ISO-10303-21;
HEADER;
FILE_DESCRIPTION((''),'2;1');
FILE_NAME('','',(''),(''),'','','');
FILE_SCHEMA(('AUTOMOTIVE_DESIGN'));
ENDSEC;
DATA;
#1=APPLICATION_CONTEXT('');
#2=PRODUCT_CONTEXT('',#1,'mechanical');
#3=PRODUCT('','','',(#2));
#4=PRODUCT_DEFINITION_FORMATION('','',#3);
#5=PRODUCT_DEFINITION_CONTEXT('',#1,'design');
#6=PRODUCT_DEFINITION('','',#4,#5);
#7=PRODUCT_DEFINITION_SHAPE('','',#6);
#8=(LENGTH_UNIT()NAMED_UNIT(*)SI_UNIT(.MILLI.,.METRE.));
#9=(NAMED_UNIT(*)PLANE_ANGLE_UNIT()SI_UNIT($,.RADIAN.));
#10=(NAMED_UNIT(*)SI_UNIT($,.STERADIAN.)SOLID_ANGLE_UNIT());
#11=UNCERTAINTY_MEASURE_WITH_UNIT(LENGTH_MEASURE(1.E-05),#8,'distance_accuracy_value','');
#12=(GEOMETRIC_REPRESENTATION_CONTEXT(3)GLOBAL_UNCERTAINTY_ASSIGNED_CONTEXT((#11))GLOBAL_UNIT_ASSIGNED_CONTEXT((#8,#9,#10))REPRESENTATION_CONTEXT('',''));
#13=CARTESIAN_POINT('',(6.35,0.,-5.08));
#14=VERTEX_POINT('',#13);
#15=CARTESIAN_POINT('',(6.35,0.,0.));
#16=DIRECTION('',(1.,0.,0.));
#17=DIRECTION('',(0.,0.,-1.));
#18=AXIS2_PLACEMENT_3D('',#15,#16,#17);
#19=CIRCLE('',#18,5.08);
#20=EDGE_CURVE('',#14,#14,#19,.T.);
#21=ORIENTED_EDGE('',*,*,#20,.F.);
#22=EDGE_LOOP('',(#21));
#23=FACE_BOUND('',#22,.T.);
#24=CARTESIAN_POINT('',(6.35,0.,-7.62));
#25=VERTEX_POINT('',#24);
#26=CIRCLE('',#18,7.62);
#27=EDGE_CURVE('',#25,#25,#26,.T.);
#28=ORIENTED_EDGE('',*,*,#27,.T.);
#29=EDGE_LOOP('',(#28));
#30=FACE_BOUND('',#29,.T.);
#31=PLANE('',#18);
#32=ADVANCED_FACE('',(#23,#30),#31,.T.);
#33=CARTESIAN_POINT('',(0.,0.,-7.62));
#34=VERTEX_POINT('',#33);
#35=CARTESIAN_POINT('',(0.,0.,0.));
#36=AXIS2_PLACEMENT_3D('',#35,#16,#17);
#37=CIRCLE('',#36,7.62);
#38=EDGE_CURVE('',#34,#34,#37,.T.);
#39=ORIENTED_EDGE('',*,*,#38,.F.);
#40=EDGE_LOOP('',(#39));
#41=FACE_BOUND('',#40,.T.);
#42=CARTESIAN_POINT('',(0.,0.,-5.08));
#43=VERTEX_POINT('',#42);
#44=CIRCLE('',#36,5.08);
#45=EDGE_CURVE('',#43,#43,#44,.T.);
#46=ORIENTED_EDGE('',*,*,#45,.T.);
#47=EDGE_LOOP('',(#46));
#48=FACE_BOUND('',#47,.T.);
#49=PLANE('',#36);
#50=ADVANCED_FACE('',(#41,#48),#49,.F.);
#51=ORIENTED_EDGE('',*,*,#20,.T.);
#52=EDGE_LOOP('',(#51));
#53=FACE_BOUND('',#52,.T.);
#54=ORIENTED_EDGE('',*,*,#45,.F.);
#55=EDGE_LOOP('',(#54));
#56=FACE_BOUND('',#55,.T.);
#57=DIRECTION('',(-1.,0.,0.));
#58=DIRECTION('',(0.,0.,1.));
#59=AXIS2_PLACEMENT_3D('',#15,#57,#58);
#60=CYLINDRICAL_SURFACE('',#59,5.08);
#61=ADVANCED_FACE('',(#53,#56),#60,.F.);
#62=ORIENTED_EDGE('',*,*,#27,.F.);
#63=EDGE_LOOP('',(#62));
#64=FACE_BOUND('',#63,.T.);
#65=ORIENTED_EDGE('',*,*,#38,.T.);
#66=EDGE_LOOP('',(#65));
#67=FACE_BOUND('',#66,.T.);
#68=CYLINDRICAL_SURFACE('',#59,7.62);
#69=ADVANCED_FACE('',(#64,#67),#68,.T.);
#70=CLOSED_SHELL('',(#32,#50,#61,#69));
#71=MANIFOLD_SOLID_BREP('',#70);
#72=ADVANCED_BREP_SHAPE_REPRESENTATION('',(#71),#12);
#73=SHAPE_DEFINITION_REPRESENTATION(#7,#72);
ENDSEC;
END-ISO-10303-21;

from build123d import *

# Parameters (mm, degrees)
SKETCH1_R           = 7.62
SKETCH1_R_2         = 5.08
BOSS_EXTRUDE1_DEPTH = 6.35


with BuildPart() as part:
    # Sketch1 → Boss-Extrude1 (new body)
    with BuildSketch(Plane(origin=(0, 0, 0), x_dir=(0, 0, -1), z_dir=(1, 0, 0))):
        Circle(SKETCH1_R)
        Circle(SKETCH1_R_2, mode=Mode.SUBTRACT)
    extrude(amount=BOSS_EXTRUDE1_DEPTH)


solid = part.part
